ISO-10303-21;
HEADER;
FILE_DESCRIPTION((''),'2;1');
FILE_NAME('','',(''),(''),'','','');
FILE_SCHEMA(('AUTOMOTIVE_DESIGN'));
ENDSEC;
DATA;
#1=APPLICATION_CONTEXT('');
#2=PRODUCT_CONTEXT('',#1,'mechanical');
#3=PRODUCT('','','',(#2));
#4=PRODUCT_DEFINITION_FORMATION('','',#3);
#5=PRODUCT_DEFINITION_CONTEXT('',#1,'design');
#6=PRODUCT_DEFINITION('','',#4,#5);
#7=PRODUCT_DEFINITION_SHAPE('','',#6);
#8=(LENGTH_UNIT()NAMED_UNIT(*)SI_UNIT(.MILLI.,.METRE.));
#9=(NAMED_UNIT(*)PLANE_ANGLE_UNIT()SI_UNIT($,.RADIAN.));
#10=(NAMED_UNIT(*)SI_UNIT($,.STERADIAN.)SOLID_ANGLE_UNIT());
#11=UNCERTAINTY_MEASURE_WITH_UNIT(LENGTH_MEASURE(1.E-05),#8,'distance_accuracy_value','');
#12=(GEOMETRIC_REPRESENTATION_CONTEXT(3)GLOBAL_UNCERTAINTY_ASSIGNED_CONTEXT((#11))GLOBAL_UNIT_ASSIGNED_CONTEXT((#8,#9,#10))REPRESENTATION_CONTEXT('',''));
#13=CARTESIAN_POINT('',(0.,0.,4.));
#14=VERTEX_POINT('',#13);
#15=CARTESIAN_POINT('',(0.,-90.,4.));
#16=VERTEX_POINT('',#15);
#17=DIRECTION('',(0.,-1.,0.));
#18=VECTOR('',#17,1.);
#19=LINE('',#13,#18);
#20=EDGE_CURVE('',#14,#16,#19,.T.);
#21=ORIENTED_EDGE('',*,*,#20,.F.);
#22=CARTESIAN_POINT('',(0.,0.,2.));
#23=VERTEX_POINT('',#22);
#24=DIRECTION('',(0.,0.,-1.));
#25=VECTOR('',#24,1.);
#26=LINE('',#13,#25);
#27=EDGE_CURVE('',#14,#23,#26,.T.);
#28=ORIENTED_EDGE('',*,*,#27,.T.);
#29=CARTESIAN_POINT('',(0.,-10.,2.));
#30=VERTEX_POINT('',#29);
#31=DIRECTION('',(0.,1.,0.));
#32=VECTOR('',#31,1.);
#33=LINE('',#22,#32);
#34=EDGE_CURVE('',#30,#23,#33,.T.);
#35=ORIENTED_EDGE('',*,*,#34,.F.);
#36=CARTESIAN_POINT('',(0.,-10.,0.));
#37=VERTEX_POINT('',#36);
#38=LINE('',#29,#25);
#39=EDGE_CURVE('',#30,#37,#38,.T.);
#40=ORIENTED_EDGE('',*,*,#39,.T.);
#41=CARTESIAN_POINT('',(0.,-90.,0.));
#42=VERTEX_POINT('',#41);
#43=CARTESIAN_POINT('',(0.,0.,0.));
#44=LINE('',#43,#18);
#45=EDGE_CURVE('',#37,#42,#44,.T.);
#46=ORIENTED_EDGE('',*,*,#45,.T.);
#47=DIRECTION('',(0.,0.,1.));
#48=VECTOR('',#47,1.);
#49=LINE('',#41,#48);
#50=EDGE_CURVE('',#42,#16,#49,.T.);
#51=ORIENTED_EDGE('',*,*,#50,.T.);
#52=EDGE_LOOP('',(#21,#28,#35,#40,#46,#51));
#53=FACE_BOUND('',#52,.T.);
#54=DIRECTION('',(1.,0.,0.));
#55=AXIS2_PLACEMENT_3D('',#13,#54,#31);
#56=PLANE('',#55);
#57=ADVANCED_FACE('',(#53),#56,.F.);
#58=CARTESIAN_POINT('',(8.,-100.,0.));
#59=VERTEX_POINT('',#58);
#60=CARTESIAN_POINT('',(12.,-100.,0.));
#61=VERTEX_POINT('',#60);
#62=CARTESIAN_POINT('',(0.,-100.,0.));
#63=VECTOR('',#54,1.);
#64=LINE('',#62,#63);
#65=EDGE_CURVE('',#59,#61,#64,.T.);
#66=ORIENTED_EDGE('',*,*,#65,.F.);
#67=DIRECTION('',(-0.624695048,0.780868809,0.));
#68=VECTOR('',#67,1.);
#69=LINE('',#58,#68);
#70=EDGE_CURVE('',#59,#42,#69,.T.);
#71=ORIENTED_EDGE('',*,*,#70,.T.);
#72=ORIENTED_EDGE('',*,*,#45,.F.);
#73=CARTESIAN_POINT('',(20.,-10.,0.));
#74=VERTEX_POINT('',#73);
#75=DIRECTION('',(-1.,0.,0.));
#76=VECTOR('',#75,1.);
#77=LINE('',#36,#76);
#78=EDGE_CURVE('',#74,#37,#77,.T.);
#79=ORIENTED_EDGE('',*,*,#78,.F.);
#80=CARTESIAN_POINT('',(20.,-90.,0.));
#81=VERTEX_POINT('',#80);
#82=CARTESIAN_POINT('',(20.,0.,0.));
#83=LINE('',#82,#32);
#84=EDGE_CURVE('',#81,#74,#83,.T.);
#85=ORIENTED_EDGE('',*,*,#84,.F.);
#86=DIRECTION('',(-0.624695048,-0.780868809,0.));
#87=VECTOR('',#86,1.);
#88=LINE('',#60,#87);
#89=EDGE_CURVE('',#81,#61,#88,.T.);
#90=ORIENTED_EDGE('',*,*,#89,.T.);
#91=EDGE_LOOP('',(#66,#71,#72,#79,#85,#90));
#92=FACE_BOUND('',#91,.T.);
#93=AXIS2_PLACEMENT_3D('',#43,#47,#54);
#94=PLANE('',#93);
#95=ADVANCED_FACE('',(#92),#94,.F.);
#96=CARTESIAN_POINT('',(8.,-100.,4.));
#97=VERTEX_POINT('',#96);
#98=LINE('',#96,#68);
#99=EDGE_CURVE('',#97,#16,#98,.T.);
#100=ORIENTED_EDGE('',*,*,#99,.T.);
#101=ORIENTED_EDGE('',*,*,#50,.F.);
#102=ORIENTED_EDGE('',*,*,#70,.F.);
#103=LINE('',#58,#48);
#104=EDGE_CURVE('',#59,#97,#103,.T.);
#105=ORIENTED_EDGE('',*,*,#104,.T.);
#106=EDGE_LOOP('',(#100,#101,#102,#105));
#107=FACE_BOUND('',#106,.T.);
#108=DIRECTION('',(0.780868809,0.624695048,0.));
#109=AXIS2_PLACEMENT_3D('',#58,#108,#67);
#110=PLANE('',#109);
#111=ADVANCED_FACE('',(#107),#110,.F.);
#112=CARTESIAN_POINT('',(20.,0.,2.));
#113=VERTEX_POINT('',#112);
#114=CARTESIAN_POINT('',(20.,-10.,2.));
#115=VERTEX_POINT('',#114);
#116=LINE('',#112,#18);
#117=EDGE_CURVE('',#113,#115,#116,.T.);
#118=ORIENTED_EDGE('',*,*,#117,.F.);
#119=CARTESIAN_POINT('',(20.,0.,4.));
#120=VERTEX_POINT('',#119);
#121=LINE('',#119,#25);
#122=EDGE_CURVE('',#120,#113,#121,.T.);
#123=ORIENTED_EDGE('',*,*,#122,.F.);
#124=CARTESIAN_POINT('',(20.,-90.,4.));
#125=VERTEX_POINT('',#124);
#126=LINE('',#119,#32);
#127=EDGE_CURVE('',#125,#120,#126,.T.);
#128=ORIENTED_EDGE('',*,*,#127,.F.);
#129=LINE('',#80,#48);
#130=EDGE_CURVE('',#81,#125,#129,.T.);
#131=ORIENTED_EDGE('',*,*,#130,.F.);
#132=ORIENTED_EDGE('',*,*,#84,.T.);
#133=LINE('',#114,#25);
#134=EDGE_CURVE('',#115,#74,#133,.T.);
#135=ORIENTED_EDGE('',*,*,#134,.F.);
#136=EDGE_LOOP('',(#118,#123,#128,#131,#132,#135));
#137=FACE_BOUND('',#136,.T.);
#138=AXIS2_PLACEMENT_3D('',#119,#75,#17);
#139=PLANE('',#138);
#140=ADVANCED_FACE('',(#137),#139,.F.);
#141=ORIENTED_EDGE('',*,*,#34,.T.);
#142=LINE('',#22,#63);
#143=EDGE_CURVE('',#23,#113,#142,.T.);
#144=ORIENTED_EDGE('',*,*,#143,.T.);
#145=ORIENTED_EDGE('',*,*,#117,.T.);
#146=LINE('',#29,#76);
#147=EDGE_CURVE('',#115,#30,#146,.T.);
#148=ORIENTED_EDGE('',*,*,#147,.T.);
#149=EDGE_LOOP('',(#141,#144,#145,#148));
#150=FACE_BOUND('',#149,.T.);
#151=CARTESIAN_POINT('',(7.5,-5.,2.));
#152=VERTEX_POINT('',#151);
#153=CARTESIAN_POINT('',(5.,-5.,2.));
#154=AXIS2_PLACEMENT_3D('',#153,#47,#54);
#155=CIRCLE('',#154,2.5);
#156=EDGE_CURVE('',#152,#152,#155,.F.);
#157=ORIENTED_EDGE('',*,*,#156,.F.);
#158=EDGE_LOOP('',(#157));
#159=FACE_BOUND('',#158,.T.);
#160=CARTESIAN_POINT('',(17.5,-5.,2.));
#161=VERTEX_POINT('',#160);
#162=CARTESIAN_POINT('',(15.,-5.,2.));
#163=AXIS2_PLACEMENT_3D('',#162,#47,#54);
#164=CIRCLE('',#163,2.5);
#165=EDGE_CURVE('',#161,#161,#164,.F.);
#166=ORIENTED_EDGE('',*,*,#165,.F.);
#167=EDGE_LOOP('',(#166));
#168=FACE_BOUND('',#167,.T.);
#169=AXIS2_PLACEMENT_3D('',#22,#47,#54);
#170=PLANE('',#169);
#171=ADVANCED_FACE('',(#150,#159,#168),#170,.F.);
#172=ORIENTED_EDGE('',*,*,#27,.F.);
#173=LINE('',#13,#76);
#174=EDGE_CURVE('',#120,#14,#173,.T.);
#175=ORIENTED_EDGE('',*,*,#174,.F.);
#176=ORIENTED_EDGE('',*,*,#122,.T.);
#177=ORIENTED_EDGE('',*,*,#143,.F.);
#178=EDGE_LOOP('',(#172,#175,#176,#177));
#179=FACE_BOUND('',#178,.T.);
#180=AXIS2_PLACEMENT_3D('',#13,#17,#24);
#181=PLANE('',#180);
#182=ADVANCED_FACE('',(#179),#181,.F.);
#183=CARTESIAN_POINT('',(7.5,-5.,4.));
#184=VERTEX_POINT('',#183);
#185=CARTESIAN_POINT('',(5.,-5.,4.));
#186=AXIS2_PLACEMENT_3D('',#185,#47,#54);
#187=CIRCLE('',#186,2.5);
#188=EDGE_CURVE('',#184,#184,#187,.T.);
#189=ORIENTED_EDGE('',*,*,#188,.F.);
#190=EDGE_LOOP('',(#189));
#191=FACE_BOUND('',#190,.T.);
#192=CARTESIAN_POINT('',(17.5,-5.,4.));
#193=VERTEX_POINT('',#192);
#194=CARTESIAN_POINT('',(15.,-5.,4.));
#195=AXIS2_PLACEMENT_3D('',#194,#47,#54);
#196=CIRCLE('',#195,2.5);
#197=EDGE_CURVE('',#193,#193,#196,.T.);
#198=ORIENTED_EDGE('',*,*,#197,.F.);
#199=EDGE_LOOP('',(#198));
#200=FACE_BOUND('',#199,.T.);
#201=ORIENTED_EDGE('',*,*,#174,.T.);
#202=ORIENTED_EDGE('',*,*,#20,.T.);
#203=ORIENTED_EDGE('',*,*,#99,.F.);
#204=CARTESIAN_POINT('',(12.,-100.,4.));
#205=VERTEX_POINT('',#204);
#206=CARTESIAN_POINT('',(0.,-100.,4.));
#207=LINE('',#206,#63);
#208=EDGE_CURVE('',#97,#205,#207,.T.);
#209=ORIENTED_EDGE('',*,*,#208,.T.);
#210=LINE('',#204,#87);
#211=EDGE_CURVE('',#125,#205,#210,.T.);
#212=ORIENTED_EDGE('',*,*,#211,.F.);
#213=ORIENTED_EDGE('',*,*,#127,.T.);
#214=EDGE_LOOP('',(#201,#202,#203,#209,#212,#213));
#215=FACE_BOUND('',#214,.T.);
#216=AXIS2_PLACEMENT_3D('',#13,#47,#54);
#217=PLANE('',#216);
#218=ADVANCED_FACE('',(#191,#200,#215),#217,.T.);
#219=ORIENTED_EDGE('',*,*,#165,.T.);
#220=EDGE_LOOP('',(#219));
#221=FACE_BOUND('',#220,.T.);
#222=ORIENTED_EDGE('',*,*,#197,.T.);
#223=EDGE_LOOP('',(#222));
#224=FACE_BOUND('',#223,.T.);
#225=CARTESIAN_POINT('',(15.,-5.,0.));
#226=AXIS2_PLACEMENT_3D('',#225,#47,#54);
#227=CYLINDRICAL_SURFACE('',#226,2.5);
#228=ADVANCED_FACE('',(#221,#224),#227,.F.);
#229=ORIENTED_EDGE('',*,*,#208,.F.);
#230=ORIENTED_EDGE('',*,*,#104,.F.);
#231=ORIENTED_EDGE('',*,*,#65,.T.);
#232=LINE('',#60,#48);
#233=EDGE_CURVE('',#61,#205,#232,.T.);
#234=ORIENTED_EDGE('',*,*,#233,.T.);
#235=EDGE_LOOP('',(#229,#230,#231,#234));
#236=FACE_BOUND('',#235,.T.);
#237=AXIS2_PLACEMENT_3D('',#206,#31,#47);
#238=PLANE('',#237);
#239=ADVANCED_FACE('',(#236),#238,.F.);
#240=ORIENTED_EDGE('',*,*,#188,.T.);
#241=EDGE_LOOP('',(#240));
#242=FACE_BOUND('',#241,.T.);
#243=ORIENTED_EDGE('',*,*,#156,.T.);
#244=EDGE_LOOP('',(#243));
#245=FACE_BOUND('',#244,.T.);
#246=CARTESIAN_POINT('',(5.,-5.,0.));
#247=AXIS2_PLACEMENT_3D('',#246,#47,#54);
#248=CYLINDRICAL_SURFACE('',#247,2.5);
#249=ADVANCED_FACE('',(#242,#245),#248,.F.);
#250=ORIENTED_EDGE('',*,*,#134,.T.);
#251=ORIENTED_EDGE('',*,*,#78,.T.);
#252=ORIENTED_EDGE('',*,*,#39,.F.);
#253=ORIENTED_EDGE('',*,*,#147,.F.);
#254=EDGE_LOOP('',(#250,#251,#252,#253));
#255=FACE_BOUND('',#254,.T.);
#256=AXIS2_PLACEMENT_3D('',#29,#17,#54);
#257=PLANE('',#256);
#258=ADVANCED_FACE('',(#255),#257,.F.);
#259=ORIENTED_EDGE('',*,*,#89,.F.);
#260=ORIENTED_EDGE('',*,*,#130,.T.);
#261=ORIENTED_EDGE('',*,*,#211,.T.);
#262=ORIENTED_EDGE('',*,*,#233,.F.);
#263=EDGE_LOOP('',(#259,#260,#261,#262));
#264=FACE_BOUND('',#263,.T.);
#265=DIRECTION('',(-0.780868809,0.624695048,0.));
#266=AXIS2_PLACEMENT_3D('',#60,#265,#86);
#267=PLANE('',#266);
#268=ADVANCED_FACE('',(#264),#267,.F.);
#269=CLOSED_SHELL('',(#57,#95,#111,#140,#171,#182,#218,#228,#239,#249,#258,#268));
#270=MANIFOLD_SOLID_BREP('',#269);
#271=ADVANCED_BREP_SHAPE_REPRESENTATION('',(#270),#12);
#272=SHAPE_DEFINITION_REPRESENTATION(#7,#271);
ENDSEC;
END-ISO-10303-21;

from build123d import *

# Parameters (mm, degrees)
SKETCH_1_W          = 20
SKETCH_1_H          = 100
EXTRUDE_1_DEPTH     = 4
SKETCH_2_R          = 2.5
CUT_EXTRUDE_1_DEPTH = 103.058806577
SKETCH_3_W          = 20
SKETCH_3_H          = 10
CUT_EXTRUDE_2_DEPTH = 2
CUT_EXTRUDE_3_DEPTH = 103.058806577


with BuildPart() as part:
    # 草图1 → 凸台-拉伸1 (new body)
    with BuildSketch(Plane.XY):
        with Locations((10, -50)):
            Rectangle(SKETCH_1_W, SKETCH_1_H)
    extrude(amount=EXTRUDE_1_DEPTH)

    # 草图2 → 切除-拉伸1 (cut, through all)
    with BuildSketch(Plane.XY.offset(4)):
        with Locations((5, -5)):
            Circle(SKETCH_2_R)
        with Locations((15, -5)):
            Circle(SKETCH_2_R)
    extrude(amount=-CUT_EXTRUDE_1_DEPTH, mode=Mode.SUBTRACT)

    # 草图3 → 切除-拉伸2 (cut)
    with BuildSketch(Plane(origin=(0, 0, 0), x_dir=(-1, 0, 0), z_dir=(0, 0, -1))):
        with Locations((-10, -5)):
            Rectangle(SKETCH_3_W, SKETCH_3_H)
    extrude(amount=-CUT_EXTRUDE_2_DEPTH, mode=Mode.SUBTRACT)

    # 草图4 → 切除-拉伸3 (cut, through all)
    with BuildSketch(Plane.XY.offset(4)):
        Polygon((0, -90), (0, -100), (8, -100), align=None)
        Polygon((20, -100), (12, -100), (20, -90), align=None)
    extrude(amount=-CUT_EXTRUDE_3_DEPTH, mode=Mode.SUBTRACT)


solid = part.part
